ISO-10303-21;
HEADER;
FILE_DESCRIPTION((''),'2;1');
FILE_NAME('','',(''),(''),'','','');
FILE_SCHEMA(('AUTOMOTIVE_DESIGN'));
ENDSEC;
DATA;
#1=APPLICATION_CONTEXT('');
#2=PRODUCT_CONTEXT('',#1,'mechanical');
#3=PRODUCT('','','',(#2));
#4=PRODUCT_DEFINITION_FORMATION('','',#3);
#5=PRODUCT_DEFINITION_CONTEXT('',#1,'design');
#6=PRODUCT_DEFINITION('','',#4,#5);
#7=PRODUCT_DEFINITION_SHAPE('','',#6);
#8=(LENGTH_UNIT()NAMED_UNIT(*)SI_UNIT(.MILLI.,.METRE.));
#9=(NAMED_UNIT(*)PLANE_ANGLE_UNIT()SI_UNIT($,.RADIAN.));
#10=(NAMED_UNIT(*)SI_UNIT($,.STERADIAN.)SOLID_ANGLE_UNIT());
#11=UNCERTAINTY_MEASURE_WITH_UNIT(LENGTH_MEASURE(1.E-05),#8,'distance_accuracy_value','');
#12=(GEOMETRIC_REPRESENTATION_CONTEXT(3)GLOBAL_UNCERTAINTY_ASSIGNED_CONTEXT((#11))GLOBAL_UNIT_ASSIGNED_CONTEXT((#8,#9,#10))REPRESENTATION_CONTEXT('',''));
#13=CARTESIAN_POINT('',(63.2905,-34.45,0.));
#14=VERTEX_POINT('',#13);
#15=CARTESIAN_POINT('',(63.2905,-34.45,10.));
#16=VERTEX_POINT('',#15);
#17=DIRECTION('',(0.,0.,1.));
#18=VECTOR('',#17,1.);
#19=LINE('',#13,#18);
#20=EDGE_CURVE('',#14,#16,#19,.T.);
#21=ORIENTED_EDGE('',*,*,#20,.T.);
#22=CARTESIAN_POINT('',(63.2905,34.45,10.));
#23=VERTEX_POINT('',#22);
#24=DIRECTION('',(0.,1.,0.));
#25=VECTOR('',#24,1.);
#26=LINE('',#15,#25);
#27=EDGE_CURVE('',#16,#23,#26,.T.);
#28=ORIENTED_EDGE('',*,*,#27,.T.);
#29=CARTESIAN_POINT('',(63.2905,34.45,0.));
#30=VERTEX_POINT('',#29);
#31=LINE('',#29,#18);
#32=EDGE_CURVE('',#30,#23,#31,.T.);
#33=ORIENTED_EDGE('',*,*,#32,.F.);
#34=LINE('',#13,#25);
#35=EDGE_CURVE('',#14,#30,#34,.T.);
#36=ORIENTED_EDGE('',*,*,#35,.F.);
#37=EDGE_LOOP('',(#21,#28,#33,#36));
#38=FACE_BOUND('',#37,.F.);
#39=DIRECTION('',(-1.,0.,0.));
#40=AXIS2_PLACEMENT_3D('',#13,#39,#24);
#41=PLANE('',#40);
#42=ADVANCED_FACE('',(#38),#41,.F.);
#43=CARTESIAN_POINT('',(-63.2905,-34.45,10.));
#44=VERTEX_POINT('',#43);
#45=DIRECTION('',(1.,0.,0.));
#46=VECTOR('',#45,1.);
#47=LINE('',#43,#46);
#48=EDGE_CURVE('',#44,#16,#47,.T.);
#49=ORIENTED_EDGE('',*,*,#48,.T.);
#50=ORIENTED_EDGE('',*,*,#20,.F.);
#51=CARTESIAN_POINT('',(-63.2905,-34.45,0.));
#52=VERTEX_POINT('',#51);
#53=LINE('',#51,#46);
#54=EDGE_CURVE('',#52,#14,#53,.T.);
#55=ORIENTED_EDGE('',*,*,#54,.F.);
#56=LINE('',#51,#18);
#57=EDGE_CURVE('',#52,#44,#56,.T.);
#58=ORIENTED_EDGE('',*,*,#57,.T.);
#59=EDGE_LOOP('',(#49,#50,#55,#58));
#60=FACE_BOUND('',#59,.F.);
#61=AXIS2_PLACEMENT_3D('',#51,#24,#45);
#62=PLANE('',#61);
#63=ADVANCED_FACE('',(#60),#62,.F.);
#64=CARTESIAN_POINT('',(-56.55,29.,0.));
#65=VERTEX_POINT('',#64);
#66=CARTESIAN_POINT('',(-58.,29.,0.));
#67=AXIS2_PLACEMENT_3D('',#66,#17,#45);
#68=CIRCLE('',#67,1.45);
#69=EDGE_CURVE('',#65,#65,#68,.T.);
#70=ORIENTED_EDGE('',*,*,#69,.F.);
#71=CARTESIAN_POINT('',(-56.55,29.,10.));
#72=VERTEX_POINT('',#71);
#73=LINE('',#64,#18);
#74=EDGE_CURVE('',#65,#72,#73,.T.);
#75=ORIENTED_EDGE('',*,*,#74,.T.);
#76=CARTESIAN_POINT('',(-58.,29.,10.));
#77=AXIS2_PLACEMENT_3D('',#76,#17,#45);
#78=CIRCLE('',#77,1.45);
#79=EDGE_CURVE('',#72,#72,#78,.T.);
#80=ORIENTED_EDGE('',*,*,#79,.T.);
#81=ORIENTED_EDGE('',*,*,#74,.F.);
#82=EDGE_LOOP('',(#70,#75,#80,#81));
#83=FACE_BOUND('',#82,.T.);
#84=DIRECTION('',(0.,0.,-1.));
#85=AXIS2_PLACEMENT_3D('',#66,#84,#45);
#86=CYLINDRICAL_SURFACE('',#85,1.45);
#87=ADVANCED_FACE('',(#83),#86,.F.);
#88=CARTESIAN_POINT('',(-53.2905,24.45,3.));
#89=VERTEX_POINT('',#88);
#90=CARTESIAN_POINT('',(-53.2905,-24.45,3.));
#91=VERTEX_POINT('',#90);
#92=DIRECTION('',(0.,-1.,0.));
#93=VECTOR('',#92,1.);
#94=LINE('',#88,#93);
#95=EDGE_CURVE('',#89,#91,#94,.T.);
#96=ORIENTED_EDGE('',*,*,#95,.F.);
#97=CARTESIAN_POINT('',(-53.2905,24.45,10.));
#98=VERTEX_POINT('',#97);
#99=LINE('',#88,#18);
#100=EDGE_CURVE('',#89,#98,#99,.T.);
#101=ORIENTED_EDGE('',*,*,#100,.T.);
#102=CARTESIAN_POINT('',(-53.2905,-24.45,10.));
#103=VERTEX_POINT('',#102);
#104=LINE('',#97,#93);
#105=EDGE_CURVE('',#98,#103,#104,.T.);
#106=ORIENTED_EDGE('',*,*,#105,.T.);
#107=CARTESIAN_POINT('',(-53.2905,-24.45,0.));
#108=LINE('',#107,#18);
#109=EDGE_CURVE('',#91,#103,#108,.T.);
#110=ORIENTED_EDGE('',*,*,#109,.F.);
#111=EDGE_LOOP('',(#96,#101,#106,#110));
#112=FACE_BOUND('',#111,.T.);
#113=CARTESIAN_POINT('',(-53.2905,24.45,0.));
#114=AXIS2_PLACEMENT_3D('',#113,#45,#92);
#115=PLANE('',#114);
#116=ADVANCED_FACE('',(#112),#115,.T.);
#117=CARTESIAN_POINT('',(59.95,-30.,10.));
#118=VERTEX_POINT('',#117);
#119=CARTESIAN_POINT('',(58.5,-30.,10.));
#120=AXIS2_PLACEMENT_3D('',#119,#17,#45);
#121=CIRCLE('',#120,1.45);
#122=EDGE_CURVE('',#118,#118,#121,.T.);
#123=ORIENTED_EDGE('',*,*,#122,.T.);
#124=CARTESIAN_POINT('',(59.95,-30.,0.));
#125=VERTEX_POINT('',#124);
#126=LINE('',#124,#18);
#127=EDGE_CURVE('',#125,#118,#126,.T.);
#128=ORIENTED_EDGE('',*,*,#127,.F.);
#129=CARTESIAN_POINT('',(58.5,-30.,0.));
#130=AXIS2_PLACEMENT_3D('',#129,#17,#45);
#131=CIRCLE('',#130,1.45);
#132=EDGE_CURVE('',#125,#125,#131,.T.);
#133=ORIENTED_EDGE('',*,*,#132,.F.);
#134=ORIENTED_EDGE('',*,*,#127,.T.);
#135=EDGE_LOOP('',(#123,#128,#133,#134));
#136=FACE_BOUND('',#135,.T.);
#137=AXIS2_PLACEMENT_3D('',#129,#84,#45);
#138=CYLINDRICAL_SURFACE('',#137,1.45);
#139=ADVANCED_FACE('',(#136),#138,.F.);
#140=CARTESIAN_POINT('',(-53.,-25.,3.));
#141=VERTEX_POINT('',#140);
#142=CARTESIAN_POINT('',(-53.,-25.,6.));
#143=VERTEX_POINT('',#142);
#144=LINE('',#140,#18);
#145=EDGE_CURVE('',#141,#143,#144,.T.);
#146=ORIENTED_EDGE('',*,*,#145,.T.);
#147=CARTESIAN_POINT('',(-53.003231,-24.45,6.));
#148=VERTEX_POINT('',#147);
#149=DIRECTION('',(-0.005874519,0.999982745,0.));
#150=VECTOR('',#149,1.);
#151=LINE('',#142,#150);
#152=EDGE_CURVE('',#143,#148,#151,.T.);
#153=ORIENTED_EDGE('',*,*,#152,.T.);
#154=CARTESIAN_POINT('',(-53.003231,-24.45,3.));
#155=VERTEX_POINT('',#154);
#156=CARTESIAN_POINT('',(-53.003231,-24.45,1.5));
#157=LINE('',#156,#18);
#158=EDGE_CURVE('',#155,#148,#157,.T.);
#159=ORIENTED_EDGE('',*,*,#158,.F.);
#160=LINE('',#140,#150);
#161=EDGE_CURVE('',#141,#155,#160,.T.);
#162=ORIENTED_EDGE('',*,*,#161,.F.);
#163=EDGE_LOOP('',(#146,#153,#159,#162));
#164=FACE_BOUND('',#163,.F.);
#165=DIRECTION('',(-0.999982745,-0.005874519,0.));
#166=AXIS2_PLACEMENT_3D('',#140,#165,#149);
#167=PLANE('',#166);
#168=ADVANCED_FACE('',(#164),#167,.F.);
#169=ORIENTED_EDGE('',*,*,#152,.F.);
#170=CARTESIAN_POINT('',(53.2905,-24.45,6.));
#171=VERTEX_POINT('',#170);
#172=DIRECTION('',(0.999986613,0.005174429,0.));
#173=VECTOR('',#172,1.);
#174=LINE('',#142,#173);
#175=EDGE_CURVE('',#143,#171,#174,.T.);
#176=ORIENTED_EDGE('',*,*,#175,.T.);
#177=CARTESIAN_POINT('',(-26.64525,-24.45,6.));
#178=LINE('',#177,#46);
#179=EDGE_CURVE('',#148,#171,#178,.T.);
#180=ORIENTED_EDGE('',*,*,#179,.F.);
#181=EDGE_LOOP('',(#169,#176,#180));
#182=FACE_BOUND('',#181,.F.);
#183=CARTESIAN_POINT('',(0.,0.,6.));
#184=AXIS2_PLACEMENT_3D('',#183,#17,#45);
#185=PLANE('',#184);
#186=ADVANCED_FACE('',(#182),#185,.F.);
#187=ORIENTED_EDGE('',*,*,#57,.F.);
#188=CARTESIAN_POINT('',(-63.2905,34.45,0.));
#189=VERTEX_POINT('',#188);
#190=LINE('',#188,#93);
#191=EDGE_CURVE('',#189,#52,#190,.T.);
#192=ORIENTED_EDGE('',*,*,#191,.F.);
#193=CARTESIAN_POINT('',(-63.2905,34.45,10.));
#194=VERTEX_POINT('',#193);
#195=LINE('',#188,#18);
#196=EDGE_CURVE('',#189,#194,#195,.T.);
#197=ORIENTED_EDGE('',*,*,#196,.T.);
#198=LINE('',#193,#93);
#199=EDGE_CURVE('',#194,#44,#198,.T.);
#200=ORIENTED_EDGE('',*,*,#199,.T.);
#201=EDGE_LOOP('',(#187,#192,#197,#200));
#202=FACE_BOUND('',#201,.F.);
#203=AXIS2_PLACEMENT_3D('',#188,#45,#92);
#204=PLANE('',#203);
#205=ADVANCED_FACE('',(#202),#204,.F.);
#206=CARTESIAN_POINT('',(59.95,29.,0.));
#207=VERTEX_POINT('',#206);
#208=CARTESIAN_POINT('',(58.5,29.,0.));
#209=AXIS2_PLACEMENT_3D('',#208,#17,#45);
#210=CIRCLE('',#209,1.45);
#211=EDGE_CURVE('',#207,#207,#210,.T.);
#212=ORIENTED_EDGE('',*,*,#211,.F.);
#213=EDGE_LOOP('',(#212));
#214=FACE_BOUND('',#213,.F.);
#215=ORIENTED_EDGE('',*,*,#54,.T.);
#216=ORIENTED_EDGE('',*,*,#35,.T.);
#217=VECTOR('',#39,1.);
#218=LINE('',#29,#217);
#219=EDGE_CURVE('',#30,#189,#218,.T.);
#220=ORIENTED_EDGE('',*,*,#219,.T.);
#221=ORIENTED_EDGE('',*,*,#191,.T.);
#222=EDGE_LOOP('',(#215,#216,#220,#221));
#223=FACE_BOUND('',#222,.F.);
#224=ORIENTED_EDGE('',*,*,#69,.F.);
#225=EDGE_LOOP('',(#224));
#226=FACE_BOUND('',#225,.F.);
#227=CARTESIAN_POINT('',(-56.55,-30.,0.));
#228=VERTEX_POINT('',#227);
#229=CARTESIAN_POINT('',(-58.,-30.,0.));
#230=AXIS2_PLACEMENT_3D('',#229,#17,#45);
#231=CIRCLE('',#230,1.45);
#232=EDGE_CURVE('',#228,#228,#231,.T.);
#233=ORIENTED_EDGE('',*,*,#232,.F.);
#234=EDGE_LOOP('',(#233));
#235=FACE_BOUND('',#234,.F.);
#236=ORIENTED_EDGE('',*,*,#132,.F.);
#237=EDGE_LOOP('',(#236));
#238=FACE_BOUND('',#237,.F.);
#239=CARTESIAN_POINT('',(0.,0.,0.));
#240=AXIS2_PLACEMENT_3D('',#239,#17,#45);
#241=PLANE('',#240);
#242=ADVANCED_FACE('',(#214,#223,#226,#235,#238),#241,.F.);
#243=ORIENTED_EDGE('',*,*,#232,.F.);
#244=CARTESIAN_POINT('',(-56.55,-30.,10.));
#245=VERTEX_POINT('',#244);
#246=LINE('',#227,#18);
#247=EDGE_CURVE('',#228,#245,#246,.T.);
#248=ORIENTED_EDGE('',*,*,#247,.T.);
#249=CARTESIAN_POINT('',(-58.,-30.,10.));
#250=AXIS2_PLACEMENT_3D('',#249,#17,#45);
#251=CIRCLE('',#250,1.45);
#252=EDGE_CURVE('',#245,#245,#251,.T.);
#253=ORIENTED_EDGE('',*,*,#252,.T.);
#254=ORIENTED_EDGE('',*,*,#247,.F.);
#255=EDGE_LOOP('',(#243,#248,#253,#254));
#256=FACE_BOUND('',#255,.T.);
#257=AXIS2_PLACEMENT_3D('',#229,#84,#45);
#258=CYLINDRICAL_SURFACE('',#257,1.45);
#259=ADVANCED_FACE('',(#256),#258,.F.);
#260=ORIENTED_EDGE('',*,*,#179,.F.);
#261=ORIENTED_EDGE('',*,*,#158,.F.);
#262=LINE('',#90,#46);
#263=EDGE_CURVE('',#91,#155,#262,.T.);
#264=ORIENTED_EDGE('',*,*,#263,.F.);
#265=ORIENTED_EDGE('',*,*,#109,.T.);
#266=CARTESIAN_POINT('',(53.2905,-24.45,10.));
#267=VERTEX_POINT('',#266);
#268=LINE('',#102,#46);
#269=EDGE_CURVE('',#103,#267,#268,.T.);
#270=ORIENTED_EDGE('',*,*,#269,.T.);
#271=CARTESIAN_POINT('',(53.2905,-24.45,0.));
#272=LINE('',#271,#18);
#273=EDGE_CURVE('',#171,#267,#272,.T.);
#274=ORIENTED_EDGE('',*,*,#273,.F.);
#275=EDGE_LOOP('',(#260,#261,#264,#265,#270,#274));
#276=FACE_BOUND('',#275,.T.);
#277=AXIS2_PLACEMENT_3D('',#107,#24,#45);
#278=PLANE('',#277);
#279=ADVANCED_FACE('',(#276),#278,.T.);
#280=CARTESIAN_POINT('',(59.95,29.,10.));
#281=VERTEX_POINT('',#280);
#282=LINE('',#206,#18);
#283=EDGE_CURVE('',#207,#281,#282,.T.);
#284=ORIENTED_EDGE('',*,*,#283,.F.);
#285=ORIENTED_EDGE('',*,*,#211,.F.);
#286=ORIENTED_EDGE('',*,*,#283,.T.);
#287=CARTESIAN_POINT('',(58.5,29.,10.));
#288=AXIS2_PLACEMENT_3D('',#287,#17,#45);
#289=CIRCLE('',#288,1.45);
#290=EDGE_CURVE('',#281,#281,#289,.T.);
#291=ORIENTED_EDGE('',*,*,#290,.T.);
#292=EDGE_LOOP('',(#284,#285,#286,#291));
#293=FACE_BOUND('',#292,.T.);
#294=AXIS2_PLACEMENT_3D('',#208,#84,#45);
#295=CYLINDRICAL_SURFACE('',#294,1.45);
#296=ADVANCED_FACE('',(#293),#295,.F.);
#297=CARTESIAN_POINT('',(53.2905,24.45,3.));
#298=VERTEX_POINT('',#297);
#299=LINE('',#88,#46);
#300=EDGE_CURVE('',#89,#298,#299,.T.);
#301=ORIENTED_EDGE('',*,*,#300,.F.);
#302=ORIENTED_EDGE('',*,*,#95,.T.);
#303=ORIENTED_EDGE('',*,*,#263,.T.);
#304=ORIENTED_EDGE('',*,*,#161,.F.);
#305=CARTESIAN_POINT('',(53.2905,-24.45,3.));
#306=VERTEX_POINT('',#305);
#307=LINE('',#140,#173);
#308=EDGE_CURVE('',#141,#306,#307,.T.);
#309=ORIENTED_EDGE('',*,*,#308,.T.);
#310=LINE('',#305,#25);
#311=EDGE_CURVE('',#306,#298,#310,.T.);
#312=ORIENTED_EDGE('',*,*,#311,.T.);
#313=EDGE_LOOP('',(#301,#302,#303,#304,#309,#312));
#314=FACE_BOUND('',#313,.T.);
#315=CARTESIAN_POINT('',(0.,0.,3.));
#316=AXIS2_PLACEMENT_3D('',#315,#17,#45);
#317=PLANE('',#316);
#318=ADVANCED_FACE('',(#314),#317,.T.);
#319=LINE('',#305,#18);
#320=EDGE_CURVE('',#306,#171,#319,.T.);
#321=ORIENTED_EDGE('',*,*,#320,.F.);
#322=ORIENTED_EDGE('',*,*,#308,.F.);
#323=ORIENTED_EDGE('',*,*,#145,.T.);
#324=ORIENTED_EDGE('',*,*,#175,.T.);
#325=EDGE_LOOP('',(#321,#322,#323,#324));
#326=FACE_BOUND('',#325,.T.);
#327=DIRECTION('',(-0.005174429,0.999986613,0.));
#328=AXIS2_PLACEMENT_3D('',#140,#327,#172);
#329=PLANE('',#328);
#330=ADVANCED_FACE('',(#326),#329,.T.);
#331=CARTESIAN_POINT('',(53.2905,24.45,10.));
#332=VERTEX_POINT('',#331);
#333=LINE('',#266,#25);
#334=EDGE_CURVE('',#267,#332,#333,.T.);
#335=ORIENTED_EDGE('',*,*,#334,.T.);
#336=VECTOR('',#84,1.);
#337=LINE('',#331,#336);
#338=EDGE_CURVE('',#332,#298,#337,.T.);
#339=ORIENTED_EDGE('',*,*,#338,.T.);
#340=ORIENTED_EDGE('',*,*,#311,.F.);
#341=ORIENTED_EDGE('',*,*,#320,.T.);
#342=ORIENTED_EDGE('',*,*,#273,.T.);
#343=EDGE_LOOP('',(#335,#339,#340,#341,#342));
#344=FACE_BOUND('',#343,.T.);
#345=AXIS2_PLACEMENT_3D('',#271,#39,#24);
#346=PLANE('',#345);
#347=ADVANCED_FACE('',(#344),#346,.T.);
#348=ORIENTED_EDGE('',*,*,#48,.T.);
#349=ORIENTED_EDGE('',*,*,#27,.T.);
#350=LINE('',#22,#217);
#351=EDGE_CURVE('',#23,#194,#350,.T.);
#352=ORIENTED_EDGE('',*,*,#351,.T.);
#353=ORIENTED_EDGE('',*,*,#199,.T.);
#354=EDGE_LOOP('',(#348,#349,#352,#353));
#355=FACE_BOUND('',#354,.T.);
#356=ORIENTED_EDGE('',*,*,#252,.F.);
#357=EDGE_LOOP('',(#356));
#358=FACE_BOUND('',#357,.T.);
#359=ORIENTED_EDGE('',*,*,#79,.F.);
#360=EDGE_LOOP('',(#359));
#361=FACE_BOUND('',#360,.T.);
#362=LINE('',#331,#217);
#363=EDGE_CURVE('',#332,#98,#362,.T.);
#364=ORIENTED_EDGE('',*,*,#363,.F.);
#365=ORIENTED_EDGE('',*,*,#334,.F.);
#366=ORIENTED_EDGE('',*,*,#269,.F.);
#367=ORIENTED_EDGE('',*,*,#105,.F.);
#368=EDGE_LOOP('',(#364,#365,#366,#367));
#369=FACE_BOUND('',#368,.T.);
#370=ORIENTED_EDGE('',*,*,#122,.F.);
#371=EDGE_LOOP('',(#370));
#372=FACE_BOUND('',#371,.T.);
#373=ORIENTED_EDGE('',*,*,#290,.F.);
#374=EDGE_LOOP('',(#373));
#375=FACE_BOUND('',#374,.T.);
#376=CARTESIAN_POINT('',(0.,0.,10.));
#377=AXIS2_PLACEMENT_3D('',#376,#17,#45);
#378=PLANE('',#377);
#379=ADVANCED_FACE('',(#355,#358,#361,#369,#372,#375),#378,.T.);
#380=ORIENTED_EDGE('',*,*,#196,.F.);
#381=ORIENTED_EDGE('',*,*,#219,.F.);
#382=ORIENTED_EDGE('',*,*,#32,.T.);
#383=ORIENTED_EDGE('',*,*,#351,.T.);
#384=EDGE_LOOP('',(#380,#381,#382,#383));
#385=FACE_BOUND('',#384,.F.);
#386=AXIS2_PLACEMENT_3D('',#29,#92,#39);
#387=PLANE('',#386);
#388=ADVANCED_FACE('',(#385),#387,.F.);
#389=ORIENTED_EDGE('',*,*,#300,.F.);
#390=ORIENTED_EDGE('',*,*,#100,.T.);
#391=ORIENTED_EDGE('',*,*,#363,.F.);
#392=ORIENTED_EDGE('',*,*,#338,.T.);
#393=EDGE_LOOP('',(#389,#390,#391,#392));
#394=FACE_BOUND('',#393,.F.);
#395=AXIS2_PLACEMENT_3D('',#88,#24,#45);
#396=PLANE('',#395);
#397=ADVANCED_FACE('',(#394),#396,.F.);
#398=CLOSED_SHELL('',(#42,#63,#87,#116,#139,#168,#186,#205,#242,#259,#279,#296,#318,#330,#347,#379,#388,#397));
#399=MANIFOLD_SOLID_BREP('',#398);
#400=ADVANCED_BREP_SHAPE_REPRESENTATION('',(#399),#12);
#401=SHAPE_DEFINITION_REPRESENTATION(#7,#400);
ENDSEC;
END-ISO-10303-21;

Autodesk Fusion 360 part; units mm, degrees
sketch "Sketch4" plane through (0, 0, 0) normal (0, 0, 1) x (1, 0, 0)
  line L0 (53.2905, 24.45) -> (-53.2905, 24.45)
  line L1 (-53.2905, 24.45) -> (-53.2905, -24.45)
  line L2 (-53.2905, -24.45) -> (53.2905, -24.45)
  line L3 (53.2905, -24.45) -> (53.2905, 24.45)
  line L4 (53.2905, 24.45) -> (-53.2905, -24.45) construction
  line L5 (-53.2905, 24.45) -> (53.2905, -24.45) construction
  line L6 (-63.2905, -34.45) -> (63.2905, -34.45)
  line L7 (63.2905, -34.45) -> (63.2905, 34.45)
  line L8 (63.2905, 34.45) -> (-63.2905, 34.45)
  line L9 (-63.2905, 34.45) -> (-63.2905, -34.45)
  line L10 (-63.2905, -34.45) -> (63.2905, 34.45) construction
  line L11 (63.2905, -34.45) -> (-63.2905, 34.45) construction
  circle A0 centre (-58, 29) radius 1.45
  circle A1 centre (-58, -30) radius 1.45
  circle A2 centre (58.5, 29) radius 1.45
  circle A3 centre (58.5, -30) radius 1.45
  point P0 (-58, -30)
  dimension "d20" = 10
  dimension "d21" = 10
  dimension "d22" = 10
  dimension "d23" = 10
  dimension "d24" = 48.9
  dimension "d25" = 106.581
  dimension "d26" = 126.581
  dimension "d27" = 68.9
  dimension "d34" = 2.9
  dimension "d38" = 2.9
  dimension "d39" = 2.9
  dimension "d40" = 2.9
extrude "Extrude1" add sketch "Sketch4" along normal blind 3 contours L0 L1 L2 L3
extrude "Extrude2" add sketch "Sketch4" along normal blind 10 contours L6 L7 L8 L9 | A0 | A1 | A2 | A3
extrude "Extrude3" cut sketch "Sketch4" along normal blind 14 contours A0
extrude "Extrude4" cut sketch "Sketch4" along normal blind 14 contours A1
extrude "Extrude5" cut sketch "Sketch4" along normal blind 14 contours A3
extrude "Extrude6" cut sketch "Sketch4" along normal blind 14 contours A2
sketch "plate-2026-06-09T10_15_21.263Z" plane through (0, 0, 3) normal (0, 0, 1) x (1, 0, 0)
  line L0 (-24.2585, 6.9573) -> (-11.2585, 6.9573)
  line L1 (-24.2585, -7.0427) -> (-11.2585, -7.0427)
  line L2 (-24.7585, 6.4573) -> (-24.7585, -6.5427)
  line L3 (-10.7585, 6.4573) -> (-10.7585, -6.5427)
  arc A0 (-24.2585, 6.9573) -> (-24.7585, 6.4573) centre (-24.2585, 6.4573) ccw
  arc A1 (-10.7585, 6.4573) -> (-11.2585, 6.9573) centre (-11.2585, 6.4573) ccw
  arc A2 (-24.7585, -6.5427) -> (-24.2585, -7.0427) centre (-24.2585, -6.5427) ccw
  arc A3 (-11.2585, -7.0427) -> (-10.7585, -6.5427) centre (-11.2585, -6.5427) ccw
  line L4 (-5.2085, 6.9573) -> (7.7915, 6.9573)
  line L5 (-5.2085, -7.0427) -> (7.7915, -7.0427)
  line L6 (-5.7085, 6.4573) -> (-5.7085, -6.5427)
  line L7 (8.2915, 6.4573) -> (8.2915, -6.5427)
  arc A4 (-5.2085, 6.9573) -> (-5.7085, 6.4573) centre (-5.2085, 6.4573) ccw
  arc A5 (8.2915, 6.4573) -> (7.7915, 6.9573) centre (7.7915, 6.4573) ccw
  arc A6 (-5.7085, -6.5427) -> (-5.2085, -7.0427) centre (-5.2085, -6.5427) ccw
  arc A7 (7.7915, -7.0427) -> (8.2915, -6.5427) centre (7.7915, -6.5427) ccw
  line L8 (13.8415, 6.9573) -> (26.8415, 6.9573)
  line L9 (13.8415, -7.0427) -> (26.8415, -7.0427)
  line L10 (13.3415, 6.4573) -> (13.3415, -6.5427)
  line L11 (27.3415, 6.4573) -> (27.3415, -6.5427)
  arc A8 (13.8415, 6.9573) -> (13.3415, 6.4573) centre (13.8415, 6.4573) ccw
  arc A9 (27.3415, 6.4573) -> (26.8415, 6.9573) centre (26.8415, 6.4573) ccw
  arc A10 (13.3415, -6.5427) -> (13.8415, -7.0427) centre (13.8415, -6.5427) ccw
  arc A11 (26.8415, -7.0427) -> (27.3415, -6.5427) centre (26.8415, -6.5427) ccw
  line L12 (-53, -25) -> (53.2905, -24.45)
  line L13 (-53.2905, 24.45) -> (53.2905, 24.45)
  line L14 (-53, -25) -> (-53.2905, 24.45)
  line L15 (53.2905, -24.45) -> (53.2905, 24.45)
  line L16 (53.2905, -24.45) -> (53.2905, 24.45)
  line L17 (53.2905, 24.45) -> (-53.2905, 24.45)
  dimension "d65" = 13
  dimension "d66" = 13
  dimension "d67" = 13
  dimension "d68" = 13
  dimension "d69" = 13
  dimension "d70" = 13
  dimension "d71" = 49.45
  dimension "d72" = 106.2905
extrude "Extrude7" add sketch "plate-2026-06-09T10_15_21.263Z" along normal blind 3
extrude "Extrude8" cut sketch "plate-2026-06-09T10_15_21.263Z" along normal blind 3
